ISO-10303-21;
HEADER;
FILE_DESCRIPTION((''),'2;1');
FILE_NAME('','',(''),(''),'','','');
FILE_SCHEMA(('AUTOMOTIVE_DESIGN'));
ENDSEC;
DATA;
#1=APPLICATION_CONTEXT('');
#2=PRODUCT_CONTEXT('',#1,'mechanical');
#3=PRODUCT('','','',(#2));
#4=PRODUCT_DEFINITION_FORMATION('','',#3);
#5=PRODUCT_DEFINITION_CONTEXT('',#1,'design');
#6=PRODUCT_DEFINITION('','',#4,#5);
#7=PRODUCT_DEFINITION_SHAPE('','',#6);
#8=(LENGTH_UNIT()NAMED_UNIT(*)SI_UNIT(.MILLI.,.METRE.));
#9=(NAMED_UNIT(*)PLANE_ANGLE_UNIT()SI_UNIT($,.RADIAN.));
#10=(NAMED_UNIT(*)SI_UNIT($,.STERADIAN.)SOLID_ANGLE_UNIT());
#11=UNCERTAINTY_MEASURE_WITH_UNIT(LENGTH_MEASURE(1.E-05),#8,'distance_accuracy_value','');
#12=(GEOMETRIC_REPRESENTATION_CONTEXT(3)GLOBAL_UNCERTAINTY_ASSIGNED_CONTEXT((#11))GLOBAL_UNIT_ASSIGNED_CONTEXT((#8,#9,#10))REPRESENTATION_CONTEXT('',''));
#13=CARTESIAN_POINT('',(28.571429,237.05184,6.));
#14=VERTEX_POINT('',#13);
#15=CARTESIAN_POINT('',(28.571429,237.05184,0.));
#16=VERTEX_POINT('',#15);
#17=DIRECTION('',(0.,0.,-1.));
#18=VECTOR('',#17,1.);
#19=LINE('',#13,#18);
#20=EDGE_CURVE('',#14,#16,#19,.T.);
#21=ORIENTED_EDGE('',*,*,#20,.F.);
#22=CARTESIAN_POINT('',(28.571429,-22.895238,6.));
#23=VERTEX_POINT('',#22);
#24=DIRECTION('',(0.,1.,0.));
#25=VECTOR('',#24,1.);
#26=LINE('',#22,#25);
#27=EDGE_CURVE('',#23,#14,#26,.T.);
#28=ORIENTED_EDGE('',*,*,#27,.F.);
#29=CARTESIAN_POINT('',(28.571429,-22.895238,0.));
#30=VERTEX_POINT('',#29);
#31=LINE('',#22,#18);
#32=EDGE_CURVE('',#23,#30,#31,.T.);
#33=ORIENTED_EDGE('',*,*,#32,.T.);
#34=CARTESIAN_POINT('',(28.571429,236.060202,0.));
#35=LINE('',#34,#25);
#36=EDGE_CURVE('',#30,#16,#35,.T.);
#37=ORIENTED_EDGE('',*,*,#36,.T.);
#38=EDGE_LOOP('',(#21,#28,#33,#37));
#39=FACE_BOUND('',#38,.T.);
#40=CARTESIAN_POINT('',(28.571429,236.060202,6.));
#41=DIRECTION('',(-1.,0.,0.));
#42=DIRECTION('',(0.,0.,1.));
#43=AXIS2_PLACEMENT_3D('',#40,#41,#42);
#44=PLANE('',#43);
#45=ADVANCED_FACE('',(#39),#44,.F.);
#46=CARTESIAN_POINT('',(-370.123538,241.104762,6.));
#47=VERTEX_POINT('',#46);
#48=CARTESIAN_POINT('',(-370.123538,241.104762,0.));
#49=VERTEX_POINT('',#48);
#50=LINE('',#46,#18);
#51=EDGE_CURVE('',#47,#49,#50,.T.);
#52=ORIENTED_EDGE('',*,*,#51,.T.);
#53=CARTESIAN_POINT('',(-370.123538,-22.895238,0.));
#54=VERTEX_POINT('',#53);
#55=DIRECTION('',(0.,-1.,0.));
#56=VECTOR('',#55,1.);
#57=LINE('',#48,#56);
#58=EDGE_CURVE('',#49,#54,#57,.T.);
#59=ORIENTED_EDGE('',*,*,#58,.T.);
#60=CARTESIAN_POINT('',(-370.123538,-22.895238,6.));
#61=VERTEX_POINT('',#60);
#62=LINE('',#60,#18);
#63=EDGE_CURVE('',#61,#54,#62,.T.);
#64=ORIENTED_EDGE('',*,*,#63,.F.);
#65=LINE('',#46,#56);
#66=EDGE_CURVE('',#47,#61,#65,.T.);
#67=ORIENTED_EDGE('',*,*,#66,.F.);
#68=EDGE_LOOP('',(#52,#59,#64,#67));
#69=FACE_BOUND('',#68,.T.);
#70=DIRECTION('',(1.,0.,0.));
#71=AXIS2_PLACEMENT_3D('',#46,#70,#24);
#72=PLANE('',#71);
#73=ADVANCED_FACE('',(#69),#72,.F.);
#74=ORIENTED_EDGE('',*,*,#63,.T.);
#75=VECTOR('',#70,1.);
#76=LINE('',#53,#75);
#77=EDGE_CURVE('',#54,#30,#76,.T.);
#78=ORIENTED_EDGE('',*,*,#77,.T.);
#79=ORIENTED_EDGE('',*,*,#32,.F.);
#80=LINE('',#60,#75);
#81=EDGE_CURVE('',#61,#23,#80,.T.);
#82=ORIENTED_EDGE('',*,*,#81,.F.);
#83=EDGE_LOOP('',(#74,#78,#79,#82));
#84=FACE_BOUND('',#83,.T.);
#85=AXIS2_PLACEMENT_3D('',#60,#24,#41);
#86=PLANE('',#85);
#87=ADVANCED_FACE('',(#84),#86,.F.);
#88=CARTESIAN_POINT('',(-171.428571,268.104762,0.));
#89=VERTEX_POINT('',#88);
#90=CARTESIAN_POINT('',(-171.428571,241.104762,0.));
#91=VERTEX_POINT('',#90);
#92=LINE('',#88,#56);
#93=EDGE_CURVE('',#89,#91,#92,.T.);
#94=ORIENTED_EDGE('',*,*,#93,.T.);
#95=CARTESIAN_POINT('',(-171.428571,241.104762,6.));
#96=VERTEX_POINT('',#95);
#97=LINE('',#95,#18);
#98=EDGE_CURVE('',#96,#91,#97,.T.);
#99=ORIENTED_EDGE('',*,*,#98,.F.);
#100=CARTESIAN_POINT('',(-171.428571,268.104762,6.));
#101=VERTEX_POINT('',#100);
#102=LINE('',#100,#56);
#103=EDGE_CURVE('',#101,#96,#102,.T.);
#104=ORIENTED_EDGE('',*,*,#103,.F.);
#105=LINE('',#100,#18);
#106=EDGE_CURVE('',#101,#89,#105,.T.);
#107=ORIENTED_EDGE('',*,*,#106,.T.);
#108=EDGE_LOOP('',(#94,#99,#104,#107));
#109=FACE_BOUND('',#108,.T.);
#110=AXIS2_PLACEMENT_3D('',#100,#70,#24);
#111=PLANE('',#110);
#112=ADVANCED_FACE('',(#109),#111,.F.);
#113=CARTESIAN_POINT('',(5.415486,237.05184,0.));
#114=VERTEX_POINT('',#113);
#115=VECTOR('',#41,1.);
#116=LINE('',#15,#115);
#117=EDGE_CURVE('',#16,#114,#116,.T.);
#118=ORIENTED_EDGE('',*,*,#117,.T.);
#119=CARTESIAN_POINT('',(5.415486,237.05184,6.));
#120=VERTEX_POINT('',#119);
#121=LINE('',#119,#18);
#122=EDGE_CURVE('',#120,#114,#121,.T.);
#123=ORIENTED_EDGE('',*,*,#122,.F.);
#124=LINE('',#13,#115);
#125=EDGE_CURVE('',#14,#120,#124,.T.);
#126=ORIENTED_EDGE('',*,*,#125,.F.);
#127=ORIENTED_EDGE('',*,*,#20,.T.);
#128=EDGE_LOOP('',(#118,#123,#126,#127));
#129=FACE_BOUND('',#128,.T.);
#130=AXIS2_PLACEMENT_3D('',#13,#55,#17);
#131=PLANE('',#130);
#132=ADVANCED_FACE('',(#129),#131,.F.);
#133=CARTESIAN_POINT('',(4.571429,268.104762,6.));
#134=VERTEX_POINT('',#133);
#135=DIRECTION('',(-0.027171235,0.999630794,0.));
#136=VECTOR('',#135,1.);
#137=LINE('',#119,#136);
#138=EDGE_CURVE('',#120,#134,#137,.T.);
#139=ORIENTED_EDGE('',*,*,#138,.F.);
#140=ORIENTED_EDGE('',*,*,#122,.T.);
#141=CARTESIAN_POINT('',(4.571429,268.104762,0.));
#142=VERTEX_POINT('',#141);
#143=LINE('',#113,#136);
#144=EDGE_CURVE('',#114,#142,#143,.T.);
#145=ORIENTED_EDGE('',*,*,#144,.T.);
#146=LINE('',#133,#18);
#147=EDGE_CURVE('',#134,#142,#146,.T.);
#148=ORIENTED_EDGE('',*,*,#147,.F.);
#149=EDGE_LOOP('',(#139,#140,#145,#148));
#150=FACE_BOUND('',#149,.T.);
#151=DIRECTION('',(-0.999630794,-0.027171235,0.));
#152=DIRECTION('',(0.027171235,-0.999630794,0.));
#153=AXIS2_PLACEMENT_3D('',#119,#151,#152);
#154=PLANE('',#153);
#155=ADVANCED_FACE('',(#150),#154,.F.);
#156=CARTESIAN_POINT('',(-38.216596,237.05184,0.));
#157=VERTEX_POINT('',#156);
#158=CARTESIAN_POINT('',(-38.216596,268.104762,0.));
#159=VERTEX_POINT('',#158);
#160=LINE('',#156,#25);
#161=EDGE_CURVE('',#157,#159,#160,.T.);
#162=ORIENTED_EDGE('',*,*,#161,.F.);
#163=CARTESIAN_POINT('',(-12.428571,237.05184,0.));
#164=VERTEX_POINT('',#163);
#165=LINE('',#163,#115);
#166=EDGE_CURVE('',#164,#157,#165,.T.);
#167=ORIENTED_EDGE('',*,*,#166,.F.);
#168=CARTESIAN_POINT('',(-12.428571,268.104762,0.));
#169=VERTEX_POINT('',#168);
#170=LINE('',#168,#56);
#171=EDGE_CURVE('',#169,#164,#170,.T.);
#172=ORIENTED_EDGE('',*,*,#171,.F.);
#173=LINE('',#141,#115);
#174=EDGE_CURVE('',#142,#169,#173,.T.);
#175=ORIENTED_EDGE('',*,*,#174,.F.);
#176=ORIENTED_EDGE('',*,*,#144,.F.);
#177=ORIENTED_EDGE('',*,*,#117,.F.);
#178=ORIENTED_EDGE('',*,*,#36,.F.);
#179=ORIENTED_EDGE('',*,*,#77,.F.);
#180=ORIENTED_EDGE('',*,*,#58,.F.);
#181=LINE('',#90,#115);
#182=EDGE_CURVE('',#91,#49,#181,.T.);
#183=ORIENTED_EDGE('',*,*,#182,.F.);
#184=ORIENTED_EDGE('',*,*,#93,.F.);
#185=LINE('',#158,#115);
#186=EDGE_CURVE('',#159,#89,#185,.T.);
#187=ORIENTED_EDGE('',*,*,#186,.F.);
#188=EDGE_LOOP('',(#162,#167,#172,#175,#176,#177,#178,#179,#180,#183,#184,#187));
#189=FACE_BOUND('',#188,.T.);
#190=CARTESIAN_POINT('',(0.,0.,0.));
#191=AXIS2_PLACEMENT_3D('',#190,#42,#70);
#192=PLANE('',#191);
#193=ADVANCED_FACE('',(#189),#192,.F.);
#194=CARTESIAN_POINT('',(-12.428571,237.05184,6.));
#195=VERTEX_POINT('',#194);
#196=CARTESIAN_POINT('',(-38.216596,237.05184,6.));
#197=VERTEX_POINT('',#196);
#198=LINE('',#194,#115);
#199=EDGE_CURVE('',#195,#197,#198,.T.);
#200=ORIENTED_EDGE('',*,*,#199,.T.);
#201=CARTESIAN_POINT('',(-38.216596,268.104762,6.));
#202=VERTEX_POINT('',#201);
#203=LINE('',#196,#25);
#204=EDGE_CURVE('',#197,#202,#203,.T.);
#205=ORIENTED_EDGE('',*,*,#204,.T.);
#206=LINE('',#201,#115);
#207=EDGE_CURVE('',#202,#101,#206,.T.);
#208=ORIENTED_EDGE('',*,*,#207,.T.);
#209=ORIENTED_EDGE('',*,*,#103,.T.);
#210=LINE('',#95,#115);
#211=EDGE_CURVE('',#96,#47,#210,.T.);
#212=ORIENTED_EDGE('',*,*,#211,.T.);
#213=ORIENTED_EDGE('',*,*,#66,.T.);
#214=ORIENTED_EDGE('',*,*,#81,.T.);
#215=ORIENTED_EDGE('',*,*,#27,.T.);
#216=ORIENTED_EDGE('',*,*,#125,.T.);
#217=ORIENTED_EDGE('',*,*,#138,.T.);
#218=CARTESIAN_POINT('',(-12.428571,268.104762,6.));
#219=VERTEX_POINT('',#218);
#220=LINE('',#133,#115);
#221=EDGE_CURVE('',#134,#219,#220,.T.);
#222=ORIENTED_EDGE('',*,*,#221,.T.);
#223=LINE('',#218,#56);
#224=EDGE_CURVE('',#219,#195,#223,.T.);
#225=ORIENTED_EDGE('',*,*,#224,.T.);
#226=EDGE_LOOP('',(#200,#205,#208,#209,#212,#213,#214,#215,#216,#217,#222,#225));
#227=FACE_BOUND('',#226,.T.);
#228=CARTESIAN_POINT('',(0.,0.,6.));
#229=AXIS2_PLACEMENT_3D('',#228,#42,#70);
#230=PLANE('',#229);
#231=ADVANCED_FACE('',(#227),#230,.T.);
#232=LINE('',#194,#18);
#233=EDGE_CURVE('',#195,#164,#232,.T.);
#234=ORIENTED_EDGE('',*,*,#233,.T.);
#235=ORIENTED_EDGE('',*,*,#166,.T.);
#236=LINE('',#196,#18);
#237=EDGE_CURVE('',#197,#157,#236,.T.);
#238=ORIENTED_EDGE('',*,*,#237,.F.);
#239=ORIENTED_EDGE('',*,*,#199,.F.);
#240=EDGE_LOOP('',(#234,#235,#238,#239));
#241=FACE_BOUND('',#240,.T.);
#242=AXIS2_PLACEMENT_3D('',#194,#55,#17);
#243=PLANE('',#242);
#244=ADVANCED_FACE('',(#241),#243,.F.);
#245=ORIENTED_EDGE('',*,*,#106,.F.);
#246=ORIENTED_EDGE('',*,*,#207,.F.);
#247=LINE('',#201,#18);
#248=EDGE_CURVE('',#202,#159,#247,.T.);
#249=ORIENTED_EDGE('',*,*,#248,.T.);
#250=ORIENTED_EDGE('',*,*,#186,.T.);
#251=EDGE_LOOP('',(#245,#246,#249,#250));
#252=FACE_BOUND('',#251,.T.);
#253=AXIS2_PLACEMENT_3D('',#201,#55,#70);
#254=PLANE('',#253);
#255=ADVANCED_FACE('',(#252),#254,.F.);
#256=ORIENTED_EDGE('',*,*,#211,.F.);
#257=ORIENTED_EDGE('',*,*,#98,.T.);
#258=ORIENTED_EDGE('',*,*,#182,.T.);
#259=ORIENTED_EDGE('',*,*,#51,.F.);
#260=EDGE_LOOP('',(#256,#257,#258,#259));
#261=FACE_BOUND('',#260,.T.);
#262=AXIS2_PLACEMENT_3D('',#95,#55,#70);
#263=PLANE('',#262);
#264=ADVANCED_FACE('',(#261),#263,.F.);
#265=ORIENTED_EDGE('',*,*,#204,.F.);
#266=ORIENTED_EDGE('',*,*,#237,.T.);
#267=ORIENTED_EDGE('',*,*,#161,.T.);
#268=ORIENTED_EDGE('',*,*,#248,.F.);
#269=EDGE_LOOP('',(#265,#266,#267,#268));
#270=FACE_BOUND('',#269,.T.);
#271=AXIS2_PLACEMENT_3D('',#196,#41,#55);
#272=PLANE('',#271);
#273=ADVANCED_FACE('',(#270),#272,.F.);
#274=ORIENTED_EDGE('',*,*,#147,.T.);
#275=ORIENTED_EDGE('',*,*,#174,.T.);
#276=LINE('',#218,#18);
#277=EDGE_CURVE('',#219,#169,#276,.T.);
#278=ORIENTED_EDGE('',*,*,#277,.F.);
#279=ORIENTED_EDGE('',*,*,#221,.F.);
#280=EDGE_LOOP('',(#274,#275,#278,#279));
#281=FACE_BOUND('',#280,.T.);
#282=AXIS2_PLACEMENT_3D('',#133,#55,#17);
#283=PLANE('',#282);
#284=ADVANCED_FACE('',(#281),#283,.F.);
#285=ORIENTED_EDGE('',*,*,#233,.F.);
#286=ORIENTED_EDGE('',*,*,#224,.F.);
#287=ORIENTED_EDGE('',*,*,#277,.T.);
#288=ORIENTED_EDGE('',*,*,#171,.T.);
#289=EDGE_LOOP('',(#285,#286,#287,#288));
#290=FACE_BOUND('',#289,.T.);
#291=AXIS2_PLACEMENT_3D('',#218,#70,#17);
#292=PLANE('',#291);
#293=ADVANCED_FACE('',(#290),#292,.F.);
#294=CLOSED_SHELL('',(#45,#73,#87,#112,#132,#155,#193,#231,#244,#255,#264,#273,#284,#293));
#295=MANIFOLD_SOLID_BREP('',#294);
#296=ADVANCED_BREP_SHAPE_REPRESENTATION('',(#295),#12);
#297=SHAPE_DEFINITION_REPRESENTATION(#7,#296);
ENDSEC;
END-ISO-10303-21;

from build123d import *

# Parameters (mm, degrees)
BOSS_EXTRUDE1_DEPTH = 6


with BuildPart() as part:
    # Sketch1 → Boss-Extrude1 (new body)
    with BuildSketch(Plane.XY):
        Polygon((28.571428571, 236.060202245), (28.571428571, 237.05184048), (5.415486436, 237.05184048), (4.571428571, 268.104761905), (-12.428571429, 268.104761905), (-12.428571429, 237.05184048), (-38.216595912, 237.05184048), (-38.216595912, 268.104761905), (-171.428571429, 268.104761905), (-171.428571429, 241.104761905), (-370.123537574, 241.104761905), (-370.123537574, -22.895238095), (28.571428571, -22.895238095), align=None)
    extrude(amount=BOSS_EXTRUDE1_DEPTH)


solid = part.part
